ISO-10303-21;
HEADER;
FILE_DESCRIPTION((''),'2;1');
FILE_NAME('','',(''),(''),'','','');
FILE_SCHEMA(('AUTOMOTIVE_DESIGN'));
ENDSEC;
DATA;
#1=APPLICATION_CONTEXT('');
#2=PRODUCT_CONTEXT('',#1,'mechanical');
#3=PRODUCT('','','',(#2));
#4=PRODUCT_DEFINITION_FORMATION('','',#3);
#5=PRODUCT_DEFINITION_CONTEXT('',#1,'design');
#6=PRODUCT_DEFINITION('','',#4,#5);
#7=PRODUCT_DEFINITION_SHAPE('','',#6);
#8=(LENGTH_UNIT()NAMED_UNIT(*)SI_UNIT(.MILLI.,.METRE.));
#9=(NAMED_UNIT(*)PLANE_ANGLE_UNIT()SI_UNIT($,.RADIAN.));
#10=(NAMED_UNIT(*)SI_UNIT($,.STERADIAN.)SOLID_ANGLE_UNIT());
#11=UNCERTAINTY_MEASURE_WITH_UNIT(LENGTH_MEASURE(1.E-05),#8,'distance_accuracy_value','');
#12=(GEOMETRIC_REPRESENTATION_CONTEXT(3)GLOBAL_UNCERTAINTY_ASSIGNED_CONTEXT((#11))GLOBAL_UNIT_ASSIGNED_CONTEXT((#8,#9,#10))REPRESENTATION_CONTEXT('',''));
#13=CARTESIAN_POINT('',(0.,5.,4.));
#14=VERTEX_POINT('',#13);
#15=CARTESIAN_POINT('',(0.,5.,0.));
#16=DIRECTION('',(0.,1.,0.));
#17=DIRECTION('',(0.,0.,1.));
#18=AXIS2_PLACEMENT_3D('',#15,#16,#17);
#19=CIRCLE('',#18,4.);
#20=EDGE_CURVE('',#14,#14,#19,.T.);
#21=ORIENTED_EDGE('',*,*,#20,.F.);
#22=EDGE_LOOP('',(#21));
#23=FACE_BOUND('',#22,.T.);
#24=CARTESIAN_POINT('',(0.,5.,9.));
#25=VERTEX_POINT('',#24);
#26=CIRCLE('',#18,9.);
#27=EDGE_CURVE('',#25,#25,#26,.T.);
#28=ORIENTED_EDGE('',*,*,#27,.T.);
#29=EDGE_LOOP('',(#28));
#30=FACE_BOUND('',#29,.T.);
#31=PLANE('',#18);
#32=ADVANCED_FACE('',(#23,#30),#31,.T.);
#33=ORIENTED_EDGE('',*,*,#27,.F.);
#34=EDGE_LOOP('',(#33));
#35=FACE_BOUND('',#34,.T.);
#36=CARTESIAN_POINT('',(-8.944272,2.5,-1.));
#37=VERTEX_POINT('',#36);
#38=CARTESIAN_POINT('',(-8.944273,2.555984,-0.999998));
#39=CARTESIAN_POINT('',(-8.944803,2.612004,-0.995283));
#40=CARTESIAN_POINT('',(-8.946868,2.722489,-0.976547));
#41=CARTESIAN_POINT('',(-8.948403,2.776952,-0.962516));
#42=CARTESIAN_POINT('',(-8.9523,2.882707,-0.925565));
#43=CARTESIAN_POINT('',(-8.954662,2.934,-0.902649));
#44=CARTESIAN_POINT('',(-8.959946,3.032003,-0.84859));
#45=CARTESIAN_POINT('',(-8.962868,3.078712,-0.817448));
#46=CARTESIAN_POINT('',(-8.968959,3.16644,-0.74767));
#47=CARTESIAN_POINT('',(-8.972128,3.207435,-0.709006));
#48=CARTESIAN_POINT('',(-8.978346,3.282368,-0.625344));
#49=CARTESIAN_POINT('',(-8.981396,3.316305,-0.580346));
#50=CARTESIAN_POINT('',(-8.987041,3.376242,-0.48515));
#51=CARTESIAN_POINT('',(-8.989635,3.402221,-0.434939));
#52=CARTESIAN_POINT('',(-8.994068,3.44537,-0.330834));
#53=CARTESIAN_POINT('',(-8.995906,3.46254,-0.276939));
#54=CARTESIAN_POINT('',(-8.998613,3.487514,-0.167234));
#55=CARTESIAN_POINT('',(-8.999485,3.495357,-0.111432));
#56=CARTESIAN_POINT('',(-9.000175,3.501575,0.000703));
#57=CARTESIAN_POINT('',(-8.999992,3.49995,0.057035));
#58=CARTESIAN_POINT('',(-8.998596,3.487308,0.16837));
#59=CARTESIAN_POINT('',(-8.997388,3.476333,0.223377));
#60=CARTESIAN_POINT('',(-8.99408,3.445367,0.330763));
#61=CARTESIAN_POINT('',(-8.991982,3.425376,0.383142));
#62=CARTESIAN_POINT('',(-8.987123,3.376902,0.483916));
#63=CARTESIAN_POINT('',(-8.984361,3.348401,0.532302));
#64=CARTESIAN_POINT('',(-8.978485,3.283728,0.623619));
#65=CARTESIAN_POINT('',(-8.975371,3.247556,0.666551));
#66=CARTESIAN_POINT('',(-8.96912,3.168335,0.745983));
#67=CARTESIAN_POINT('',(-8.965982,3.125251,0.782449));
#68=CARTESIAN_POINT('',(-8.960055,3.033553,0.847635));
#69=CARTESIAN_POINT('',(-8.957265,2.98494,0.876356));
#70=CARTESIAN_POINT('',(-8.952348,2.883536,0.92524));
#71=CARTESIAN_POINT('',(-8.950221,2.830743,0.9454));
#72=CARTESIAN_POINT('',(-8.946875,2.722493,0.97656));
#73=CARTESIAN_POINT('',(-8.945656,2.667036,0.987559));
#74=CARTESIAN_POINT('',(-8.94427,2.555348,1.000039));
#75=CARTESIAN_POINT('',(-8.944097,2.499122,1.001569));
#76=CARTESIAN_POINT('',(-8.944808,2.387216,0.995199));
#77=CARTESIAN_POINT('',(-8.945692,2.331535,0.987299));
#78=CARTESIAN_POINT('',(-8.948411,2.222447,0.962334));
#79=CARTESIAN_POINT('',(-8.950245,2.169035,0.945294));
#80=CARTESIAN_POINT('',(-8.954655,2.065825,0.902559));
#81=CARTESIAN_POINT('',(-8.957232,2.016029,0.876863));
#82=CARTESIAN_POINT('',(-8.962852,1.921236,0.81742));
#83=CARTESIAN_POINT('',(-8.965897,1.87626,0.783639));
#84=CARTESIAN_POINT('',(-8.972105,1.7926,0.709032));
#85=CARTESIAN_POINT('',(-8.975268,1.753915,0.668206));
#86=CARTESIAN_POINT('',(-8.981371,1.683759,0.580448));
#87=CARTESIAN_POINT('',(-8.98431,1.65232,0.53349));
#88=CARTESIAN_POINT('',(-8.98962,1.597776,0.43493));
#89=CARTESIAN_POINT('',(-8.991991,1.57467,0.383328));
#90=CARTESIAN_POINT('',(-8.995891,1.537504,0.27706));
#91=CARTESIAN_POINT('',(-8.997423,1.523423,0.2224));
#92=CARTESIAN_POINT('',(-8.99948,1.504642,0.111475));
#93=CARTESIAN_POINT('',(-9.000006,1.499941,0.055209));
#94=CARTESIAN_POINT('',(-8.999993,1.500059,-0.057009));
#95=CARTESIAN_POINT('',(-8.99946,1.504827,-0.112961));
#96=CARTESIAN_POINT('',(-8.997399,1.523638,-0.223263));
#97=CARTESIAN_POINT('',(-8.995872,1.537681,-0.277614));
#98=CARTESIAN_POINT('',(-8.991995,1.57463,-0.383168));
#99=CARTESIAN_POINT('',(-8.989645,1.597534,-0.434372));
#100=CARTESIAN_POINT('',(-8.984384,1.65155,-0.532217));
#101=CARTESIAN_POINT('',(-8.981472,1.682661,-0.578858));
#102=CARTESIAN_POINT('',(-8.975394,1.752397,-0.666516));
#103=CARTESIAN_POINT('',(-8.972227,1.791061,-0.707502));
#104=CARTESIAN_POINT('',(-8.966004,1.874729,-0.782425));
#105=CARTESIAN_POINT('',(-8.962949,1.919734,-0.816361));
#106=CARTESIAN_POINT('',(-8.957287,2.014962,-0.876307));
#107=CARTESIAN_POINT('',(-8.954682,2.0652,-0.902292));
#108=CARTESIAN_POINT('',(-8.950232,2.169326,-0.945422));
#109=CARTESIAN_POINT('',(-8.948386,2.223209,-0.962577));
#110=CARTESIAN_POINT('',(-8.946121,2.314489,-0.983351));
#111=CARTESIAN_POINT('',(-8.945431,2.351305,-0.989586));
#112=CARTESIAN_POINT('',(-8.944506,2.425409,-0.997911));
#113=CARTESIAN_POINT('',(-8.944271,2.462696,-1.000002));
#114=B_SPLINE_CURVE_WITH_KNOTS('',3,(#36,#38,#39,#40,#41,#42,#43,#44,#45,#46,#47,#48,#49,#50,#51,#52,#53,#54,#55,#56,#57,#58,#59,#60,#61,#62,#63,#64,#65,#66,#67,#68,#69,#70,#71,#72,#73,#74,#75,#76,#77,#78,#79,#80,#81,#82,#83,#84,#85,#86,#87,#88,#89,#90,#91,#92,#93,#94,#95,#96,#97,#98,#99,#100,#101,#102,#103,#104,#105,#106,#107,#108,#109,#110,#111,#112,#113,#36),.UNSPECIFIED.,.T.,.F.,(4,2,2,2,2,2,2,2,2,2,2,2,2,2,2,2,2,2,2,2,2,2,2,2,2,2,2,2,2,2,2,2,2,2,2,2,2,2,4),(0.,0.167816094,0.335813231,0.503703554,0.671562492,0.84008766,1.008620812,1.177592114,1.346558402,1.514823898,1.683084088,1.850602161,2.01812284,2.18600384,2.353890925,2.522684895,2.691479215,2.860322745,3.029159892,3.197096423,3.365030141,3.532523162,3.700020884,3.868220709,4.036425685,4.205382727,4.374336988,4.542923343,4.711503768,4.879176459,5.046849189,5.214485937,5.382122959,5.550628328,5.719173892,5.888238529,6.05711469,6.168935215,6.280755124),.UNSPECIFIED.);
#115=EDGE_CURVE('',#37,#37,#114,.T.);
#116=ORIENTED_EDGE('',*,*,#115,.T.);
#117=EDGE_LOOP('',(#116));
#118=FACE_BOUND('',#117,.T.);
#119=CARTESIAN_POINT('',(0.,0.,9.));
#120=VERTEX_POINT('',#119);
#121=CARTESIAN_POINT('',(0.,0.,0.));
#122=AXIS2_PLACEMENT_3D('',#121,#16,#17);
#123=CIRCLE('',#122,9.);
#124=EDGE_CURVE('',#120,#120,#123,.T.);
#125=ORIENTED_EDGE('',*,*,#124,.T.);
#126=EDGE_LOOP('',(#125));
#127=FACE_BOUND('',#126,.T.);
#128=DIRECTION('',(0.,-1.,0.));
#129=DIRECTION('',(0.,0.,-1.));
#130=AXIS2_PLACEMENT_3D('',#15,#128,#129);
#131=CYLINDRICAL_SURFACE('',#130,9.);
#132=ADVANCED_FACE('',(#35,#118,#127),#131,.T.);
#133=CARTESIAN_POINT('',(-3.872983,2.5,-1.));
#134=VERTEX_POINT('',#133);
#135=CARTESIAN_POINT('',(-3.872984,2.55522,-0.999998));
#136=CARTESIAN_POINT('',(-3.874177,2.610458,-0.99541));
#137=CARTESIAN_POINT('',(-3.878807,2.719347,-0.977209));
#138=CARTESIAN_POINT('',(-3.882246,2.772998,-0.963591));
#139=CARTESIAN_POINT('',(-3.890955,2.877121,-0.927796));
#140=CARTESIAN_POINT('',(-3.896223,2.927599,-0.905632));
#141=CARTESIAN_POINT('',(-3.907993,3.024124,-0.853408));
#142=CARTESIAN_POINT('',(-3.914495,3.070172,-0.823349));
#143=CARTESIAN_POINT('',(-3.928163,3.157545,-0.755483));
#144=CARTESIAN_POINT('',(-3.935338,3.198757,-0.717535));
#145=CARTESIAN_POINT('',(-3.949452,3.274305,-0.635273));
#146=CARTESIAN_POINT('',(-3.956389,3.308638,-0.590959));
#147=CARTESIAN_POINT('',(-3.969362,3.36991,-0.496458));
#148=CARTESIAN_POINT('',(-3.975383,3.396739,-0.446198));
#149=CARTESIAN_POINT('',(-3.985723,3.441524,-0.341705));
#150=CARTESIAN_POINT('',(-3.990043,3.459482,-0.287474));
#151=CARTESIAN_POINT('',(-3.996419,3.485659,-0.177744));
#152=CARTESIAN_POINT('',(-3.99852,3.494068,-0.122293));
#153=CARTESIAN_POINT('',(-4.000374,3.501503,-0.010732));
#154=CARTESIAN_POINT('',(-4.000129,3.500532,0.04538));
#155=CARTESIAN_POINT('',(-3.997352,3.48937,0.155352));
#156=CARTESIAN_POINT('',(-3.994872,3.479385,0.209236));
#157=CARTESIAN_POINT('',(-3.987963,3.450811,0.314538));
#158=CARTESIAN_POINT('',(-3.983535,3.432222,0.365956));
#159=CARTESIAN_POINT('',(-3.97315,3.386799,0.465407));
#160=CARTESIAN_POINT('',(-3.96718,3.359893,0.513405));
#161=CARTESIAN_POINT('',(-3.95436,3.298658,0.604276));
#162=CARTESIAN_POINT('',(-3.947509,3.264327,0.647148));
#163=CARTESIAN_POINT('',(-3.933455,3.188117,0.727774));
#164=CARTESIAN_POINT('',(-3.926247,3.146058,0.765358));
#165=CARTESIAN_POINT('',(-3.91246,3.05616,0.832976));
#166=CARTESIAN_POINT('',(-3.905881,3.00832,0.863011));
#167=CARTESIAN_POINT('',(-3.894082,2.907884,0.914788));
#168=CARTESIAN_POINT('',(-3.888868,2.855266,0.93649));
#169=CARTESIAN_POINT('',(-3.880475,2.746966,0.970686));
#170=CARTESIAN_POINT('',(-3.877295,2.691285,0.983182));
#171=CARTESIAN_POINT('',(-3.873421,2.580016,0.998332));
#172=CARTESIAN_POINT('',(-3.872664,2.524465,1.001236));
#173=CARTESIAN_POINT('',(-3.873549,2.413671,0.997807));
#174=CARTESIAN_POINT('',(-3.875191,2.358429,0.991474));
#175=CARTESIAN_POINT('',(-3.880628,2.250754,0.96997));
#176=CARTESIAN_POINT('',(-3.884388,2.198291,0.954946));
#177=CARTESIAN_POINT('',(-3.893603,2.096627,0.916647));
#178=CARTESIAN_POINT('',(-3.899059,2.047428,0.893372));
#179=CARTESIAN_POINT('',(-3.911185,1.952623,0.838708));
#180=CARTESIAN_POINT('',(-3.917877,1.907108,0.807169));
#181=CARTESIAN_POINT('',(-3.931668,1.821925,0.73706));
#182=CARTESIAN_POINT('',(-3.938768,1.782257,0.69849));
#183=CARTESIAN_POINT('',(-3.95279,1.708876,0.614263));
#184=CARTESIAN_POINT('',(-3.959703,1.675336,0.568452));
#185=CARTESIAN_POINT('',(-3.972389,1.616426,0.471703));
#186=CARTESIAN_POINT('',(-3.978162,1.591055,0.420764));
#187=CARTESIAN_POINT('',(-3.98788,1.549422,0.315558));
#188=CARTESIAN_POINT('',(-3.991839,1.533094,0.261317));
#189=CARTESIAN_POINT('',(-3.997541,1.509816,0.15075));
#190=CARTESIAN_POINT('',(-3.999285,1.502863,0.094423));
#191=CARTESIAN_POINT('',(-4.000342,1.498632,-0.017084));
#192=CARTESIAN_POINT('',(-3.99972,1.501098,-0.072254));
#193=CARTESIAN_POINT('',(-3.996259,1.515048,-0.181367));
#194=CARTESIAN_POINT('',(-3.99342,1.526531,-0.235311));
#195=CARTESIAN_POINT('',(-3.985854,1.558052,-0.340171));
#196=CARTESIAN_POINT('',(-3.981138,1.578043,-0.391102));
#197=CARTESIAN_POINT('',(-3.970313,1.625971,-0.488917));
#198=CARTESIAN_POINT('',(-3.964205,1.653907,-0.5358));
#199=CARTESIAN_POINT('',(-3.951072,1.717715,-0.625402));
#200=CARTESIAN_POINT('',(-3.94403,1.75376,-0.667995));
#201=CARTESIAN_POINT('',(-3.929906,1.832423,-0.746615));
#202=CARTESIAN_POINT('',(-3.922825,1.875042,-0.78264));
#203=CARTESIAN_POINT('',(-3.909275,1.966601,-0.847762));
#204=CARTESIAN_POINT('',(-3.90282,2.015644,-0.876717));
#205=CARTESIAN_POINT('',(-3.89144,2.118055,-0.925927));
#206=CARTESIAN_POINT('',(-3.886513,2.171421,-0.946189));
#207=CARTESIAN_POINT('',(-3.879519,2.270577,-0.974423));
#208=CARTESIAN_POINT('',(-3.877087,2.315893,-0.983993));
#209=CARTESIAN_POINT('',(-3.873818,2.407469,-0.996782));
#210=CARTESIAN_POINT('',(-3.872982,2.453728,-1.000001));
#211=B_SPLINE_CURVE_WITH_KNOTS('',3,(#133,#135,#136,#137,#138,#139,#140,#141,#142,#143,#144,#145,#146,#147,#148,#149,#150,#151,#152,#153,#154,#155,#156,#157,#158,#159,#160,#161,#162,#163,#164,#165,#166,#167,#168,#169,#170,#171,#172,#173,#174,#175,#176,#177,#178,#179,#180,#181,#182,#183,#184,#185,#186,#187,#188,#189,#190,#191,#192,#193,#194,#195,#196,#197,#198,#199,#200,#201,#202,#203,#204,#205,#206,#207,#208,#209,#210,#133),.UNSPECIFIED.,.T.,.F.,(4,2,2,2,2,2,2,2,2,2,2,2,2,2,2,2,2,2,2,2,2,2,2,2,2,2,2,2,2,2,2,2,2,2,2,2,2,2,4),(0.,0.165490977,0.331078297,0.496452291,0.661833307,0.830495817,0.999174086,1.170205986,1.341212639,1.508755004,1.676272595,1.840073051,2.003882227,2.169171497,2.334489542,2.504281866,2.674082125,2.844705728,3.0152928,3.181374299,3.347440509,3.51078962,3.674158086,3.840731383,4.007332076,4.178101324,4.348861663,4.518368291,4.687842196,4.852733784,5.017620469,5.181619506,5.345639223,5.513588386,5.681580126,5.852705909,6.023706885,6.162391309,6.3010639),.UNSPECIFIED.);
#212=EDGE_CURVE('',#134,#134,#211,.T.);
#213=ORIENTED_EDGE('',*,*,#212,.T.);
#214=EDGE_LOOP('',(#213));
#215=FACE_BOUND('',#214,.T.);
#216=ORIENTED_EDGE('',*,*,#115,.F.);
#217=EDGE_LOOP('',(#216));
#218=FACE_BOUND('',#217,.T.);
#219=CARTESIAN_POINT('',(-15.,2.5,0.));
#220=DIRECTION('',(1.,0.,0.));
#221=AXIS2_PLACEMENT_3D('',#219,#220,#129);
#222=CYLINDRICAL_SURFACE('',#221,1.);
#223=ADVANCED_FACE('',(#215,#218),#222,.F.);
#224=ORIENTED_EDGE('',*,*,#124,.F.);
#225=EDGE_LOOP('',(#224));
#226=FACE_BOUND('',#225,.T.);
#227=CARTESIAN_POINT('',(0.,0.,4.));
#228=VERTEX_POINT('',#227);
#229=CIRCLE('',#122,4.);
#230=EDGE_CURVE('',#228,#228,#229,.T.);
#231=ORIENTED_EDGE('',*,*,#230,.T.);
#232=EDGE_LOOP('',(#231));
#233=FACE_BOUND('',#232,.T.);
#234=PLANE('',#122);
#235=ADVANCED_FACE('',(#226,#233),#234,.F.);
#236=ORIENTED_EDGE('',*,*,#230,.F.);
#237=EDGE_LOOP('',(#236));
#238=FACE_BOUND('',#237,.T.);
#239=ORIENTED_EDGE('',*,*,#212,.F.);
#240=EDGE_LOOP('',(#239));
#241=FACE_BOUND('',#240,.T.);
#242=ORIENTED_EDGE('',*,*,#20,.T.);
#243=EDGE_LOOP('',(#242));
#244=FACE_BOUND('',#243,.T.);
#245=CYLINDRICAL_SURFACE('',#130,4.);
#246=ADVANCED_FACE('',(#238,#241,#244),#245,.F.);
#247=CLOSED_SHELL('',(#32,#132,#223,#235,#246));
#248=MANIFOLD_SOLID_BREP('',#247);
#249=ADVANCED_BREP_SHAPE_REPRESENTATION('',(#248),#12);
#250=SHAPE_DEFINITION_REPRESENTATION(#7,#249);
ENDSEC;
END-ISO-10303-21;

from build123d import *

# Parameters (mm, degrees)
SKETCH_1_R          = 9
SKETCH_1_R_2        = 4
EXTRUDE_1_DEPTH     = 5
SKETCH_2_R          = 1
CUT_EXTRUDE_1_DEPTH = 15


with BuildPart() as part:
    # 草图1 → 凸台-拉伸1 (new body)
    with BuildSketch(Plane(origin=(0, 0, 0), x_dir=(1, 0, 0), z_dir=(0, 1, 0))):
        with Locations(Location((0, 0, 0), (0, 0, 270))):
            Circle(SKETCH_1_R)
        with Locations(Location((0, 0, 0), (0, 0, 270))):
            Circle(SKETCH_1_R_2, mode=Mode.SUBTRACT)
    extrude(amount=EXTRUDE_1_DEPTH)

    # 草图2 → 切除-拉伸1 (cut)
    with BuildSketch(Plane(origin=(0, 0, 0), x_dir=(0, 0, -1), z_dir=(1, 0, 0))):
        with Locations((0, 2.5)):
            Circle(SKETCH_2_R)
    extrude(amount=-CUT_EXTRUDE_1_DEPTH, mode=Mode.SUBTRACT)


solid = part.part
